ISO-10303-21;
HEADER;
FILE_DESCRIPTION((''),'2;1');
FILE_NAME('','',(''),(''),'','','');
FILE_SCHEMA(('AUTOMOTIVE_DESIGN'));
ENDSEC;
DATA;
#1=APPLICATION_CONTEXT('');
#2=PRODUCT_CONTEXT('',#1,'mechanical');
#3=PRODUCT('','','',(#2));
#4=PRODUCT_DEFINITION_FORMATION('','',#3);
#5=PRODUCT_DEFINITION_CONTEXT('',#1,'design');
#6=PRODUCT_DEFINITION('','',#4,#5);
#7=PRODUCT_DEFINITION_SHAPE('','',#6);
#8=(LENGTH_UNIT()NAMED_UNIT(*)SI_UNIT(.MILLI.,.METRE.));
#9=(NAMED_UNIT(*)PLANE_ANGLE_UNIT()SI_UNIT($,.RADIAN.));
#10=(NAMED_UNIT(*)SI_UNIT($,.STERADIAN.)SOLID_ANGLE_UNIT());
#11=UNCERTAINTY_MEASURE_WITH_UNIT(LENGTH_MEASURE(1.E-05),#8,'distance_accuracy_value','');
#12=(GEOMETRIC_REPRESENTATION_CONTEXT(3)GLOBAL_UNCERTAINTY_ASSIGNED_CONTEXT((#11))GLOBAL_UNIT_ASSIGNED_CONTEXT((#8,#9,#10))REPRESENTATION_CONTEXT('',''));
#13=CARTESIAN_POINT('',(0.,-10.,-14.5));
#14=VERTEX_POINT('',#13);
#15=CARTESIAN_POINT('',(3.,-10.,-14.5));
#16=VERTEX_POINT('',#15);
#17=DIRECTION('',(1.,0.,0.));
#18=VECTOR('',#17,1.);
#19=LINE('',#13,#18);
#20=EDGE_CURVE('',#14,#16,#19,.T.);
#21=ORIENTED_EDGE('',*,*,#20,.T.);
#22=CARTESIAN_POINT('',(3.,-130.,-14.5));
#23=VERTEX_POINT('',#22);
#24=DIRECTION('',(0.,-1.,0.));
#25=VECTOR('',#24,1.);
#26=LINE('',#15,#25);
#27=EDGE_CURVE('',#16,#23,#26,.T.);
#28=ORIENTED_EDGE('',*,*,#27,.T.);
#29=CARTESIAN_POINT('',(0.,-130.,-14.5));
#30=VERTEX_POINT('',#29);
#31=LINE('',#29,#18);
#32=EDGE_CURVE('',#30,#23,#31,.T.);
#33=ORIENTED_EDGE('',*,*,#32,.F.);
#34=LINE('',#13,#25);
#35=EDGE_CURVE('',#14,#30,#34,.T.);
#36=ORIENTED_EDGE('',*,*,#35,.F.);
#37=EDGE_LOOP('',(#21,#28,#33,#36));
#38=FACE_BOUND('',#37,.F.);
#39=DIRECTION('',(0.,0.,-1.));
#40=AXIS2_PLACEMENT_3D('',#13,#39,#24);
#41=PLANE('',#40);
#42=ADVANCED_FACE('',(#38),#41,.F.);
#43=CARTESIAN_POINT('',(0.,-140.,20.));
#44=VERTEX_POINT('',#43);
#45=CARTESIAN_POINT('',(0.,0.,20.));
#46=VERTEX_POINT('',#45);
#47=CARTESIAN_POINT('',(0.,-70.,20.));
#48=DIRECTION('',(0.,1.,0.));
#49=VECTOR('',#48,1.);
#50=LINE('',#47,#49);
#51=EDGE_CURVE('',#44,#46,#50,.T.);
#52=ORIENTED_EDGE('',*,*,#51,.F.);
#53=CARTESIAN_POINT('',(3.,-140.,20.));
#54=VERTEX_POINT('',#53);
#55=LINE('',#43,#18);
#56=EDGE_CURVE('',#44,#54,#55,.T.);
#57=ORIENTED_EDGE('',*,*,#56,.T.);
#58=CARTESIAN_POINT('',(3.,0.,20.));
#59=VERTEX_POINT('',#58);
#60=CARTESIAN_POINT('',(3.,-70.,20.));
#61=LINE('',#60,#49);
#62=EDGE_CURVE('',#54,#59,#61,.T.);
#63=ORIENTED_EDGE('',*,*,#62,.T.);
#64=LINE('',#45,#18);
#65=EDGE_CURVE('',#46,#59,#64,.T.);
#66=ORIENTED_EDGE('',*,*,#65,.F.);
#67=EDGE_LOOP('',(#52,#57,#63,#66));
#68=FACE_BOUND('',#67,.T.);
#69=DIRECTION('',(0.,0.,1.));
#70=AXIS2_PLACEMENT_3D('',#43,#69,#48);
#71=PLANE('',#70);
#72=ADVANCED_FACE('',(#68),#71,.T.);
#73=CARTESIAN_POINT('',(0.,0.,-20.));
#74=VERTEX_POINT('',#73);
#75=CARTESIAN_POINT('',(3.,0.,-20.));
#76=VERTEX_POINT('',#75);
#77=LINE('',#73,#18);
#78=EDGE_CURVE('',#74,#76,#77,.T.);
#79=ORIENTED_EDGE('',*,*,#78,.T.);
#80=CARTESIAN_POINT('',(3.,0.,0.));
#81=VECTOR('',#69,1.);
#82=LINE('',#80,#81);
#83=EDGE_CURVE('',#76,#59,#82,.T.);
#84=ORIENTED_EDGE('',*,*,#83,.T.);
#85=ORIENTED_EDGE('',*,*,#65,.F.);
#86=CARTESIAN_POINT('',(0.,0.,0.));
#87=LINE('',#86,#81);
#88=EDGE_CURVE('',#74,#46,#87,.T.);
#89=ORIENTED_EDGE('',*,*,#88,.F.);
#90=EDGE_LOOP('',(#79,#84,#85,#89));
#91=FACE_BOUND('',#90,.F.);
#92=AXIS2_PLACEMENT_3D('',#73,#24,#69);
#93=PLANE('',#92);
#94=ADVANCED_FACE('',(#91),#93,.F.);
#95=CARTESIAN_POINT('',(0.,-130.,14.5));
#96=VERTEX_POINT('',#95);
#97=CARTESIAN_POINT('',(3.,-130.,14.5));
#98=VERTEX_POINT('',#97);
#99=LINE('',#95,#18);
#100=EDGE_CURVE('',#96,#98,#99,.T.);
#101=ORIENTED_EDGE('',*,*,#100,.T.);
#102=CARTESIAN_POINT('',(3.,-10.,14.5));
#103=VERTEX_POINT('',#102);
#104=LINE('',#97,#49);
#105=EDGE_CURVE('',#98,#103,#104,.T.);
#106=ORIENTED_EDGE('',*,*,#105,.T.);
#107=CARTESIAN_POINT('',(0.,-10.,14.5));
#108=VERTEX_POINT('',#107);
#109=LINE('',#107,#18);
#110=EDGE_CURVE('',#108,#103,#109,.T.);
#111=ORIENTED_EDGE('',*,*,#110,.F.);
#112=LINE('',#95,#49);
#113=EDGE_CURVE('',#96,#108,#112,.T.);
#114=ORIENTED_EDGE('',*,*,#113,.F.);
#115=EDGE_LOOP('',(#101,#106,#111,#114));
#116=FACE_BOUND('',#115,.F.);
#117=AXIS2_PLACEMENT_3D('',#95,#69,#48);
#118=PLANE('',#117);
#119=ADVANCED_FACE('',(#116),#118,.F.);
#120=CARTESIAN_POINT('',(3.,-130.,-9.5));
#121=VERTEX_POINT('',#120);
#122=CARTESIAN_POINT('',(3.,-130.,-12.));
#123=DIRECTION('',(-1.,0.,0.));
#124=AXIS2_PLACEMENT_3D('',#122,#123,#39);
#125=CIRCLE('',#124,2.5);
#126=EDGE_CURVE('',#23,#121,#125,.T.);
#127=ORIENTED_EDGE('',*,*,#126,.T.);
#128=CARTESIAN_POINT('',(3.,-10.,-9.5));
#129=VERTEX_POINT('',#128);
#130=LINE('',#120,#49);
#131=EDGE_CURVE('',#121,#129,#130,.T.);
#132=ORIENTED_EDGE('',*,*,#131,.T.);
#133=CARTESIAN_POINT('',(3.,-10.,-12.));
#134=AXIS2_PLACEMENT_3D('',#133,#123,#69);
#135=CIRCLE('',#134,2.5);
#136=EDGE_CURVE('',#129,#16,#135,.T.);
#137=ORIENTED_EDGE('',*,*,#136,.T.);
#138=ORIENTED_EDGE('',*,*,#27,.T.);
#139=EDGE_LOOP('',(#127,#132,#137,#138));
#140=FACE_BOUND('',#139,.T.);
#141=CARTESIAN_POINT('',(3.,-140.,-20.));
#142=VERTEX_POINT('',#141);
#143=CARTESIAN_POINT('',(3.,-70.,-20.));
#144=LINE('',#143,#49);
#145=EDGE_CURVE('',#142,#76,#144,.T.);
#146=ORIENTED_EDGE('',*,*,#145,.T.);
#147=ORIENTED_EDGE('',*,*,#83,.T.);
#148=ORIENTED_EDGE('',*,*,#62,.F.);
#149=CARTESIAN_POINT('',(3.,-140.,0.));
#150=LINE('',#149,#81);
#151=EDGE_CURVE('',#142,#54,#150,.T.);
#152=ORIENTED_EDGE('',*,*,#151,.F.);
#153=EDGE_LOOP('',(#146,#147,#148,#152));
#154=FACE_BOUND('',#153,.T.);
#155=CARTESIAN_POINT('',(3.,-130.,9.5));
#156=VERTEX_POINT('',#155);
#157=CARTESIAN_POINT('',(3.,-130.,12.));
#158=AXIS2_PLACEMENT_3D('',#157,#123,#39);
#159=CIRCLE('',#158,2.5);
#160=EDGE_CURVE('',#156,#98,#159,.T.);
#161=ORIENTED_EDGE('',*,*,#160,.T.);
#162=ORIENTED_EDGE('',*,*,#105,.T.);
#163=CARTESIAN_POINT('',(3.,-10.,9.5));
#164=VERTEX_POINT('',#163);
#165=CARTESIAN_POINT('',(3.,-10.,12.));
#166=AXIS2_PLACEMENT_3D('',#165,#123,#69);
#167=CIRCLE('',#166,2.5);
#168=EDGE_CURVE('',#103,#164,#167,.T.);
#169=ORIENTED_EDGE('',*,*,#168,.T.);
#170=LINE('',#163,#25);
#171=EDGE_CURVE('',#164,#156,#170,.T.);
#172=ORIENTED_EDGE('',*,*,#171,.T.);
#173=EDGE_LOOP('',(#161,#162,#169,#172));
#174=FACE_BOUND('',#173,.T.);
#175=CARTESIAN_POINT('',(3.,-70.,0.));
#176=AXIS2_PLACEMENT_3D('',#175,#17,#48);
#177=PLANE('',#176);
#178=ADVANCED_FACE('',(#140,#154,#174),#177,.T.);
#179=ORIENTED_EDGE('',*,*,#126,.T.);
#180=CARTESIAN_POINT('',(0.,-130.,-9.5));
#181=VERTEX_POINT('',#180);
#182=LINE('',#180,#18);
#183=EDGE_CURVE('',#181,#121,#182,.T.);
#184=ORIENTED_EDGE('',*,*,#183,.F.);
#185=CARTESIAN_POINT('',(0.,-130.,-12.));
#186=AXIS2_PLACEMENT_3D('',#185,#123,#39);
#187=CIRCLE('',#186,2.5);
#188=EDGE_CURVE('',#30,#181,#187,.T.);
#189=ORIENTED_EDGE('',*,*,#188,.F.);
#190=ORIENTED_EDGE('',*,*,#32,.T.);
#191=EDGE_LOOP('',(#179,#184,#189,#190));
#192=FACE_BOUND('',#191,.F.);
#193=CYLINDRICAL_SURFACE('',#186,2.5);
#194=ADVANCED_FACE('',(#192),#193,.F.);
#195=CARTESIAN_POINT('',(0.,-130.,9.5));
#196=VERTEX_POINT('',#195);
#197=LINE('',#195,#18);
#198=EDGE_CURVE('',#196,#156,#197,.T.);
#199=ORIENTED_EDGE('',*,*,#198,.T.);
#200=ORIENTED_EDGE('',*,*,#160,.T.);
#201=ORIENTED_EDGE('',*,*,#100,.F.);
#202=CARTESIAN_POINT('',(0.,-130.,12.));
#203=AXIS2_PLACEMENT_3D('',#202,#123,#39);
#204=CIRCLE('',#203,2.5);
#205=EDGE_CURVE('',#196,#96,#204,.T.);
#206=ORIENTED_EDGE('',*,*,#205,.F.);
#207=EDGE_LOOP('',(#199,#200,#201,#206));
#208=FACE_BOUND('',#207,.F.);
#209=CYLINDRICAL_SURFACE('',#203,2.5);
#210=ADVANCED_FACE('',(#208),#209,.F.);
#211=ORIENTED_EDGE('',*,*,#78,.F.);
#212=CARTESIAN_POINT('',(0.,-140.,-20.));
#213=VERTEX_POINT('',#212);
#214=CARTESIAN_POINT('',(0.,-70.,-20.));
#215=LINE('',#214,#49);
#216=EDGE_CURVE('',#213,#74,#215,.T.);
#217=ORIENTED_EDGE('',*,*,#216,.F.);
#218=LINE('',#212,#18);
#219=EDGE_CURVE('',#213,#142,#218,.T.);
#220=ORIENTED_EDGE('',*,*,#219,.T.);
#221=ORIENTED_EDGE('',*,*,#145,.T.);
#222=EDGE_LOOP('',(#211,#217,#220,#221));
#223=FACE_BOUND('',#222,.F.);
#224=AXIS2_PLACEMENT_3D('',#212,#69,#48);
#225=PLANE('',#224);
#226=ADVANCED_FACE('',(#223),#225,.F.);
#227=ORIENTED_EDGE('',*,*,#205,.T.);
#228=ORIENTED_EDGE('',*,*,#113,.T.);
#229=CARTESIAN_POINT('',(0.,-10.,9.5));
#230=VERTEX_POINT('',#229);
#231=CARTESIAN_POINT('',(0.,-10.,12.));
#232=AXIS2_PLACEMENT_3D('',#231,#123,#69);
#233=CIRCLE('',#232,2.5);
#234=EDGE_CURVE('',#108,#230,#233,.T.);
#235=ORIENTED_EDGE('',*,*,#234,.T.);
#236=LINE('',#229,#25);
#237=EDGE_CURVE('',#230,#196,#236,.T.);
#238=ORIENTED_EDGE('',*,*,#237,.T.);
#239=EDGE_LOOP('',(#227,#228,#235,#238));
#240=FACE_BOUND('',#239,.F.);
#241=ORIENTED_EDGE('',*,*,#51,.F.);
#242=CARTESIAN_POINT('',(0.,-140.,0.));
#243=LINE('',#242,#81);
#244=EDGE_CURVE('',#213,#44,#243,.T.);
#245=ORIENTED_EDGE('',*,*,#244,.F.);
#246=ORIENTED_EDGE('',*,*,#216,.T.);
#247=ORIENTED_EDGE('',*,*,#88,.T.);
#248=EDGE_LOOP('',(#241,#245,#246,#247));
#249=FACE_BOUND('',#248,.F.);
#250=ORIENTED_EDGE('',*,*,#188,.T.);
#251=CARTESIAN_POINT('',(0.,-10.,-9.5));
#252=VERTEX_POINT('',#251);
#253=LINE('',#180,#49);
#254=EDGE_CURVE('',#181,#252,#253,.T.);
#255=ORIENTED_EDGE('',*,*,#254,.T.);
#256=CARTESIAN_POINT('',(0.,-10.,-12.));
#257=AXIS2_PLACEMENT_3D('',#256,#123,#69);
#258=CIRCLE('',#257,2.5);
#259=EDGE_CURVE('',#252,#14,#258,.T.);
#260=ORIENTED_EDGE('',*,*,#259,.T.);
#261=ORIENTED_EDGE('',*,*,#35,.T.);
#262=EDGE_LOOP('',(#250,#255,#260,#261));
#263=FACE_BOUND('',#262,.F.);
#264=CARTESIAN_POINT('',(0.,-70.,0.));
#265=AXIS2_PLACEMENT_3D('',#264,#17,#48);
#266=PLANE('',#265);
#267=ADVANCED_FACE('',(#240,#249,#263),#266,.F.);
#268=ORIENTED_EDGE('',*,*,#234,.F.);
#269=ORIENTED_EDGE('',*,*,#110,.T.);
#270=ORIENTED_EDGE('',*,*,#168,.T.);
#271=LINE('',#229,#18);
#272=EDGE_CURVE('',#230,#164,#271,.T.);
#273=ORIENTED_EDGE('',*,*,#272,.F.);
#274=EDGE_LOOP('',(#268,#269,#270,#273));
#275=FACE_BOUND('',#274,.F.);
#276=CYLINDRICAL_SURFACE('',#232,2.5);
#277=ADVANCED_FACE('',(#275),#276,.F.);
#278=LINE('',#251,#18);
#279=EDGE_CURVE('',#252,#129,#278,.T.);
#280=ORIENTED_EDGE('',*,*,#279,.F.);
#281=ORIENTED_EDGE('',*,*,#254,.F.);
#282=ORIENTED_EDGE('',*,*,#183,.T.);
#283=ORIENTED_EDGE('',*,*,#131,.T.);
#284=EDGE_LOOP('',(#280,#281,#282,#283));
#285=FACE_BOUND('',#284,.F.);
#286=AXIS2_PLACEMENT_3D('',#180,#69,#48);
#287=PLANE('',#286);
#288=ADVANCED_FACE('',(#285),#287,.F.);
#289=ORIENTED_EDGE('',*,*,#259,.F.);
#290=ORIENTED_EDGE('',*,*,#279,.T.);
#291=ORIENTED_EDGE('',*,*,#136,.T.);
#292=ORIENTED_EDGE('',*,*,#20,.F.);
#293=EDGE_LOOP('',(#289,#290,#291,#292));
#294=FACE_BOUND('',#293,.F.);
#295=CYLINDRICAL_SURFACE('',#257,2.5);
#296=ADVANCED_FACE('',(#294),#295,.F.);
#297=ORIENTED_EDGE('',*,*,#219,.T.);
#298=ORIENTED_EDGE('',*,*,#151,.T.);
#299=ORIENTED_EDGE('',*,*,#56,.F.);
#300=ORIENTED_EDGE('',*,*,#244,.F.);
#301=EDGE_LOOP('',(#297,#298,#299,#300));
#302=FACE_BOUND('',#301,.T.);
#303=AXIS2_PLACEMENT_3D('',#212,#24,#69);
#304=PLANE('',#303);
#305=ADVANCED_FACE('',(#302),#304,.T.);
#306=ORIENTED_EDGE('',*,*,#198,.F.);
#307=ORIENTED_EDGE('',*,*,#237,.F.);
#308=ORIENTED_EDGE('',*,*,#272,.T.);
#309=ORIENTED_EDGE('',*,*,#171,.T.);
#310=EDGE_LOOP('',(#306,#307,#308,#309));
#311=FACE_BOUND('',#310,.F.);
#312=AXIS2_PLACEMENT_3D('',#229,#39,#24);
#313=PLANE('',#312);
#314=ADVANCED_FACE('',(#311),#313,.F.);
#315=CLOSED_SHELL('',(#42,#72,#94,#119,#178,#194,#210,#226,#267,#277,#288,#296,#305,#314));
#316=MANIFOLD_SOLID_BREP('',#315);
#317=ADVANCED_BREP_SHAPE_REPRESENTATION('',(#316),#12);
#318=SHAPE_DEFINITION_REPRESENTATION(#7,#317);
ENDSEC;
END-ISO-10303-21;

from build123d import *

# Parameters (mm, degrees)
F0_W     = 140
F0_H     = 40
F1_DEPTH = 3


with BuildPart() as f1:
    # F0 (on Right) → F1 (new body)
    with BuildSketch(Plane.YZ):
        with Locations((-70, 0)):
            Rectangle(F0_W, F0_H)
        with BuildLine():
            ThreePointArc((-130, -14.5), (-132.5, -12), (-130, -9.5))
            Line((-130, -9.5), (-10, -9.5))
            ThreePointArc((-10, -9.5), (-7.5, -12), (-10, -14.5))
            Line((-10, -14.5), (-130, -14.5))
        make_face(mode=Mode.SUBTRACT)
        with BuildLine():
            ThreePointArc((-130, 9.5), (-132.5, 12), (-130, 14.5))
            Line((-130, 14.5), (-10, 14.5))
            ThreePointArc((-10, 14.5), (-7.5, 12), (-10, 9.5))
            Line((-10, 9.5), (-130, 9.5))
        make_face(mode=Mode.SUBTRACT)
    extrude(amount=F1_DEPTH)


solid = f1.part
